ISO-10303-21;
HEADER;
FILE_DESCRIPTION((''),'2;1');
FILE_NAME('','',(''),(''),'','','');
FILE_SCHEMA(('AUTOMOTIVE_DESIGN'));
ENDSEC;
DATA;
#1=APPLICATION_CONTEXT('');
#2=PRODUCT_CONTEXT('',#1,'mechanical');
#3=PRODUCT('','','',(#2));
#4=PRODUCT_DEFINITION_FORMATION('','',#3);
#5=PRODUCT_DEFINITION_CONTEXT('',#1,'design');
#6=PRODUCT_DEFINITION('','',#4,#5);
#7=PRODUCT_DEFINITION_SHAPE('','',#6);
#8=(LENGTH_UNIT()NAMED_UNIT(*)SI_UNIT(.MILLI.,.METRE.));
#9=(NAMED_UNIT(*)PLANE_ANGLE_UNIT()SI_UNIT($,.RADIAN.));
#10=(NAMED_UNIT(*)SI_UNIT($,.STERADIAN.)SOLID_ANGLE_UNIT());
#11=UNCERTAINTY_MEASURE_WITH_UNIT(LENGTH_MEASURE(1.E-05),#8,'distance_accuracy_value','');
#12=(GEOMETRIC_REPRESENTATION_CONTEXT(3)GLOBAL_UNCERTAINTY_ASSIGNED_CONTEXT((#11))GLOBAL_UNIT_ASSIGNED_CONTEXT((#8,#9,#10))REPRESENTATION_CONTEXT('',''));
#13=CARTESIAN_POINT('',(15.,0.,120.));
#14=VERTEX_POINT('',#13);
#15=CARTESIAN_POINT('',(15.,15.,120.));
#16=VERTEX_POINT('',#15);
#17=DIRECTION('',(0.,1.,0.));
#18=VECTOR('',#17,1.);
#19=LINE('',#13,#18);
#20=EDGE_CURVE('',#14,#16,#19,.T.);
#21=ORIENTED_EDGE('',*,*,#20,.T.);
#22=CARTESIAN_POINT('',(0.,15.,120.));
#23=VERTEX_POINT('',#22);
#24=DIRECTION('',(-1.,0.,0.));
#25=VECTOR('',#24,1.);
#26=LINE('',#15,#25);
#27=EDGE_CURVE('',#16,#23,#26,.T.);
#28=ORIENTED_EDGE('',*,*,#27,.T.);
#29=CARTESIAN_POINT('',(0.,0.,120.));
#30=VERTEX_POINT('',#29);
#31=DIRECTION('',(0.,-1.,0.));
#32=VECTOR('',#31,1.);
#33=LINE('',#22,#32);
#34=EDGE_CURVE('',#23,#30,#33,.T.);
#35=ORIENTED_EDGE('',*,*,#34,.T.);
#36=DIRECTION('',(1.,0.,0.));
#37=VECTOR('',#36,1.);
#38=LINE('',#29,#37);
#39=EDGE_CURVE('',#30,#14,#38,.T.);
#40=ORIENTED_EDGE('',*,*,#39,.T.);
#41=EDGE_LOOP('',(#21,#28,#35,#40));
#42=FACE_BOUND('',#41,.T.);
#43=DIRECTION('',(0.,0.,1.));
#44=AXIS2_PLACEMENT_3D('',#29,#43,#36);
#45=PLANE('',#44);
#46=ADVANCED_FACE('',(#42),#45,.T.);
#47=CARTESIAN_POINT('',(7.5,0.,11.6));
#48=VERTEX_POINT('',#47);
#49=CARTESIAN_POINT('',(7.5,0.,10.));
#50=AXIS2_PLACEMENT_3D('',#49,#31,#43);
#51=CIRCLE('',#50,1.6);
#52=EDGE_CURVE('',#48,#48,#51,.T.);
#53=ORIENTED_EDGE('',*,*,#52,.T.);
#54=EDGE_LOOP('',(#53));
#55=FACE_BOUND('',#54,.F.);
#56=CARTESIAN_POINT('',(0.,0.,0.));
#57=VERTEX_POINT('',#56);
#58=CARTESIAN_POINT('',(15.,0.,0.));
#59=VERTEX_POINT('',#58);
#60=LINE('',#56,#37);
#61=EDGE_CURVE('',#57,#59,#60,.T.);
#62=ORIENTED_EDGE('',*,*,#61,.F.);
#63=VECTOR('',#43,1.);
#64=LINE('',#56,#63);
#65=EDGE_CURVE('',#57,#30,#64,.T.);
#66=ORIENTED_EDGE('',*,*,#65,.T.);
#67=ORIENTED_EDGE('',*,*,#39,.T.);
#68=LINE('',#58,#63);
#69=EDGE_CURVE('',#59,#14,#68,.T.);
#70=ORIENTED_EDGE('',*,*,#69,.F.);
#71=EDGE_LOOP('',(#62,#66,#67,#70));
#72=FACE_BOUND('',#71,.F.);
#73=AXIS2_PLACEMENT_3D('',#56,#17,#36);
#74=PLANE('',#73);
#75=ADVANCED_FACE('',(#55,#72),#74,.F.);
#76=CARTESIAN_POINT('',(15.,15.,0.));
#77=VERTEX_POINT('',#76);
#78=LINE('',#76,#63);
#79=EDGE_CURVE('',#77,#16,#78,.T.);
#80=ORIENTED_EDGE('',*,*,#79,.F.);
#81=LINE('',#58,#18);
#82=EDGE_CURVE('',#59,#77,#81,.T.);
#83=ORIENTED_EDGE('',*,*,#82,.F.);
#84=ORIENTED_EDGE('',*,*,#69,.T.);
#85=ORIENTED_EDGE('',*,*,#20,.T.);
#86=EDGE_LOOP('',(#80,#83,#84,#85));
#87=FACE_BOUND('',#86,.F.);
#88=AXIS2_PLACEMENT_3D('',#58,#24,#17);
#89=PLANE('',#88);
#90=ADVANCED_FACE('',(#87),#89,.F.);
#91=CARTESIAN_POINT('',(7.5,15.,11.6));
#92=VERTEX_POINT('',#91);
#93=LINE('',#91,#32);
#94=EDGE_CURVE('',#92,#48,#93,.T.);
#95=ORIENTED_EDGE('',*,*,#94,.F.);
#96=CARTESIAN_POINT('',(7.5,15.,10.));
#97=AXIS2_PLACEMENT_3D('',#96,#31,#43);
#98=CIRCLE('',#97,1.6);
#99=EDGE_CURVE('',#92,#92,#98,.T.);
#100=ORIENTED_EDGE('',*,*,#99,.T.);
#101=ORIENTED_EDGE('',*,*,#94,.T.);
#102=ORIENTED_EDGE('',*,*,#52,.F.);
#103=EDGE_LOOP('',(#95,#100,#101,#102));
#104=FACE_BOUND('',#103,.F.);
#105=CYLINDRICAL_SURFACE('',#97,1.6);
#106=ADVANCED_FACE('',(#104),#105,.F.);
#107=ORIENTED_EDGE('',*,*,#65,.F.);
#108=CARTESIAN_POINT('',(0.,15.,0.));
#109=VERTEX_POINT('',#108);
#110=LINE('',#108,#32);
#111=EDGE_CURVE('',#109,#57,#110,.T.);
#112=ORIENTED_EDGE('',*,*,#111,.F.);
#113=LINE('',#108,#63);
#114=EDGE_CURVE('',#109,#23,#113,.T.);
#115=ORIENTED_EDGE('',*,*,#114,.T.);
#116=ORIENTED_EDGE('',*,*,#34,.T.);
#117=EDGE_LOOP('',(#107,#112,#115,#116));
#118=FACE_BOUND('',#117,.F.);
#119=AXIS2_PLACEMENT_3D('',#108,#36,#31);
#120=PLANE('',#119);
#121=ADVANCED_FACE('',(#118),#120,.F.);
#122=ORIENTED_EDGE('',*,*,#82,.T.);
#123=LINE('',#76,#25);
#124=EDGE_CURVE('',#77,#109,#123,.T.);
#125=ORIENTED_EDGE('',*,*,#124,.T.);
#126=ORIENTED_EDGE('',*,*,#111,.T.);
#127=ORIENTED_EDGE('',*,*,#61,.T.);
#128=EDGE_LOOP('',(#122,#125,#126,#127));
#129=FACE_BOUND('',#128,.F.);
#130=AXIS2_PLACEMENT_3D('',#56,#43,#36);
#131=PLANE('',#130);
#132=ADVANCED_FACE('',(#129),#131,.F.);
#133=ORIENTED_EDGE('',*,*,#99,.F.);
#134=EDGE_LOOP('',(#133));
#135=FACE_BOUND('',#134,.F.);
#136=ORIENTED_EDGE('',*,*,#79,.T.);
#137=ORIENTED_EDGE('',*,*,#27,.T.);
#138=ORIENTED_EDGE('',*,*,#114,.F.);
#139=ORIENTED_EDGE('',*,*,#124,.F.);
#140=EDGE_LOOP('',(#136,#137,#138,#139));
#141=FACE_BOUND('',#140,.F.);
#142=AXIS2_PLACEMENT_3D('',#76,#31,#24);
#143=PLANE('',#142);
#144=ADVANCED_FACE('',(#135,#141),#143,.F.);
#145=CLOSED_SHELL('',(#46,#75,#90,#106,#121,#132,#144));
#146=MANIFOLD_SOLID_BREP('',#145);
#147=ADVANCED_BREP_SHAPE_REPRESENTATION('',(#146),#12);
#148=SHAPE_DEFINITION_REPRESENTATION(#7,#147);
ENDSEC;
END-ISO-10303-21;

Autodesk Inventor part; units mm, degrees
ref_plane "YZ Plane" through (0, 0, 0) normal (1, 0, 0) x (0, 1, 0)
ref_plane "XZ Plane" through (0, 0, 0) normal (0, 1, 0) x (-1, 0, 0)
ref_plane "XY Plane" through (0, 0, 0) normal (0, 0, 1) x (1, 0, 0)
sketch "スケッチ1" plane through (0, 0, 0) normal (0, 0, 1) x (1, 0, 0)
  line L0 (0, 0) -> (15, 0)
  line L1 (15, 0) -> (15, 15)
  line L2 (15, 15) -> (0, 15)
  line L3 (0, 15) -> (0, 0)
  dimension "d0" = 15
  dimension "d1" = 15
extrude "押し出し1" add sketch "スケッチ1" along normal blind 120
sketch "スケッチ2" plane through (0, 15, 0) normal (0, 1, 0) x (1, 0, 0)
  line L0 (15, 0) -> (0, 0) projected
  line L1 (15, 0) -> (15, -120) projected
  point P0 (7.5, -10)
  dimension "d4" = 10
  dimension "d5" = 7.5
hole "穴1" at (7.5, 15, 10) direction (0, -1, 0) diameter 3.2 end through all
properties part number "射出_角柱7"
